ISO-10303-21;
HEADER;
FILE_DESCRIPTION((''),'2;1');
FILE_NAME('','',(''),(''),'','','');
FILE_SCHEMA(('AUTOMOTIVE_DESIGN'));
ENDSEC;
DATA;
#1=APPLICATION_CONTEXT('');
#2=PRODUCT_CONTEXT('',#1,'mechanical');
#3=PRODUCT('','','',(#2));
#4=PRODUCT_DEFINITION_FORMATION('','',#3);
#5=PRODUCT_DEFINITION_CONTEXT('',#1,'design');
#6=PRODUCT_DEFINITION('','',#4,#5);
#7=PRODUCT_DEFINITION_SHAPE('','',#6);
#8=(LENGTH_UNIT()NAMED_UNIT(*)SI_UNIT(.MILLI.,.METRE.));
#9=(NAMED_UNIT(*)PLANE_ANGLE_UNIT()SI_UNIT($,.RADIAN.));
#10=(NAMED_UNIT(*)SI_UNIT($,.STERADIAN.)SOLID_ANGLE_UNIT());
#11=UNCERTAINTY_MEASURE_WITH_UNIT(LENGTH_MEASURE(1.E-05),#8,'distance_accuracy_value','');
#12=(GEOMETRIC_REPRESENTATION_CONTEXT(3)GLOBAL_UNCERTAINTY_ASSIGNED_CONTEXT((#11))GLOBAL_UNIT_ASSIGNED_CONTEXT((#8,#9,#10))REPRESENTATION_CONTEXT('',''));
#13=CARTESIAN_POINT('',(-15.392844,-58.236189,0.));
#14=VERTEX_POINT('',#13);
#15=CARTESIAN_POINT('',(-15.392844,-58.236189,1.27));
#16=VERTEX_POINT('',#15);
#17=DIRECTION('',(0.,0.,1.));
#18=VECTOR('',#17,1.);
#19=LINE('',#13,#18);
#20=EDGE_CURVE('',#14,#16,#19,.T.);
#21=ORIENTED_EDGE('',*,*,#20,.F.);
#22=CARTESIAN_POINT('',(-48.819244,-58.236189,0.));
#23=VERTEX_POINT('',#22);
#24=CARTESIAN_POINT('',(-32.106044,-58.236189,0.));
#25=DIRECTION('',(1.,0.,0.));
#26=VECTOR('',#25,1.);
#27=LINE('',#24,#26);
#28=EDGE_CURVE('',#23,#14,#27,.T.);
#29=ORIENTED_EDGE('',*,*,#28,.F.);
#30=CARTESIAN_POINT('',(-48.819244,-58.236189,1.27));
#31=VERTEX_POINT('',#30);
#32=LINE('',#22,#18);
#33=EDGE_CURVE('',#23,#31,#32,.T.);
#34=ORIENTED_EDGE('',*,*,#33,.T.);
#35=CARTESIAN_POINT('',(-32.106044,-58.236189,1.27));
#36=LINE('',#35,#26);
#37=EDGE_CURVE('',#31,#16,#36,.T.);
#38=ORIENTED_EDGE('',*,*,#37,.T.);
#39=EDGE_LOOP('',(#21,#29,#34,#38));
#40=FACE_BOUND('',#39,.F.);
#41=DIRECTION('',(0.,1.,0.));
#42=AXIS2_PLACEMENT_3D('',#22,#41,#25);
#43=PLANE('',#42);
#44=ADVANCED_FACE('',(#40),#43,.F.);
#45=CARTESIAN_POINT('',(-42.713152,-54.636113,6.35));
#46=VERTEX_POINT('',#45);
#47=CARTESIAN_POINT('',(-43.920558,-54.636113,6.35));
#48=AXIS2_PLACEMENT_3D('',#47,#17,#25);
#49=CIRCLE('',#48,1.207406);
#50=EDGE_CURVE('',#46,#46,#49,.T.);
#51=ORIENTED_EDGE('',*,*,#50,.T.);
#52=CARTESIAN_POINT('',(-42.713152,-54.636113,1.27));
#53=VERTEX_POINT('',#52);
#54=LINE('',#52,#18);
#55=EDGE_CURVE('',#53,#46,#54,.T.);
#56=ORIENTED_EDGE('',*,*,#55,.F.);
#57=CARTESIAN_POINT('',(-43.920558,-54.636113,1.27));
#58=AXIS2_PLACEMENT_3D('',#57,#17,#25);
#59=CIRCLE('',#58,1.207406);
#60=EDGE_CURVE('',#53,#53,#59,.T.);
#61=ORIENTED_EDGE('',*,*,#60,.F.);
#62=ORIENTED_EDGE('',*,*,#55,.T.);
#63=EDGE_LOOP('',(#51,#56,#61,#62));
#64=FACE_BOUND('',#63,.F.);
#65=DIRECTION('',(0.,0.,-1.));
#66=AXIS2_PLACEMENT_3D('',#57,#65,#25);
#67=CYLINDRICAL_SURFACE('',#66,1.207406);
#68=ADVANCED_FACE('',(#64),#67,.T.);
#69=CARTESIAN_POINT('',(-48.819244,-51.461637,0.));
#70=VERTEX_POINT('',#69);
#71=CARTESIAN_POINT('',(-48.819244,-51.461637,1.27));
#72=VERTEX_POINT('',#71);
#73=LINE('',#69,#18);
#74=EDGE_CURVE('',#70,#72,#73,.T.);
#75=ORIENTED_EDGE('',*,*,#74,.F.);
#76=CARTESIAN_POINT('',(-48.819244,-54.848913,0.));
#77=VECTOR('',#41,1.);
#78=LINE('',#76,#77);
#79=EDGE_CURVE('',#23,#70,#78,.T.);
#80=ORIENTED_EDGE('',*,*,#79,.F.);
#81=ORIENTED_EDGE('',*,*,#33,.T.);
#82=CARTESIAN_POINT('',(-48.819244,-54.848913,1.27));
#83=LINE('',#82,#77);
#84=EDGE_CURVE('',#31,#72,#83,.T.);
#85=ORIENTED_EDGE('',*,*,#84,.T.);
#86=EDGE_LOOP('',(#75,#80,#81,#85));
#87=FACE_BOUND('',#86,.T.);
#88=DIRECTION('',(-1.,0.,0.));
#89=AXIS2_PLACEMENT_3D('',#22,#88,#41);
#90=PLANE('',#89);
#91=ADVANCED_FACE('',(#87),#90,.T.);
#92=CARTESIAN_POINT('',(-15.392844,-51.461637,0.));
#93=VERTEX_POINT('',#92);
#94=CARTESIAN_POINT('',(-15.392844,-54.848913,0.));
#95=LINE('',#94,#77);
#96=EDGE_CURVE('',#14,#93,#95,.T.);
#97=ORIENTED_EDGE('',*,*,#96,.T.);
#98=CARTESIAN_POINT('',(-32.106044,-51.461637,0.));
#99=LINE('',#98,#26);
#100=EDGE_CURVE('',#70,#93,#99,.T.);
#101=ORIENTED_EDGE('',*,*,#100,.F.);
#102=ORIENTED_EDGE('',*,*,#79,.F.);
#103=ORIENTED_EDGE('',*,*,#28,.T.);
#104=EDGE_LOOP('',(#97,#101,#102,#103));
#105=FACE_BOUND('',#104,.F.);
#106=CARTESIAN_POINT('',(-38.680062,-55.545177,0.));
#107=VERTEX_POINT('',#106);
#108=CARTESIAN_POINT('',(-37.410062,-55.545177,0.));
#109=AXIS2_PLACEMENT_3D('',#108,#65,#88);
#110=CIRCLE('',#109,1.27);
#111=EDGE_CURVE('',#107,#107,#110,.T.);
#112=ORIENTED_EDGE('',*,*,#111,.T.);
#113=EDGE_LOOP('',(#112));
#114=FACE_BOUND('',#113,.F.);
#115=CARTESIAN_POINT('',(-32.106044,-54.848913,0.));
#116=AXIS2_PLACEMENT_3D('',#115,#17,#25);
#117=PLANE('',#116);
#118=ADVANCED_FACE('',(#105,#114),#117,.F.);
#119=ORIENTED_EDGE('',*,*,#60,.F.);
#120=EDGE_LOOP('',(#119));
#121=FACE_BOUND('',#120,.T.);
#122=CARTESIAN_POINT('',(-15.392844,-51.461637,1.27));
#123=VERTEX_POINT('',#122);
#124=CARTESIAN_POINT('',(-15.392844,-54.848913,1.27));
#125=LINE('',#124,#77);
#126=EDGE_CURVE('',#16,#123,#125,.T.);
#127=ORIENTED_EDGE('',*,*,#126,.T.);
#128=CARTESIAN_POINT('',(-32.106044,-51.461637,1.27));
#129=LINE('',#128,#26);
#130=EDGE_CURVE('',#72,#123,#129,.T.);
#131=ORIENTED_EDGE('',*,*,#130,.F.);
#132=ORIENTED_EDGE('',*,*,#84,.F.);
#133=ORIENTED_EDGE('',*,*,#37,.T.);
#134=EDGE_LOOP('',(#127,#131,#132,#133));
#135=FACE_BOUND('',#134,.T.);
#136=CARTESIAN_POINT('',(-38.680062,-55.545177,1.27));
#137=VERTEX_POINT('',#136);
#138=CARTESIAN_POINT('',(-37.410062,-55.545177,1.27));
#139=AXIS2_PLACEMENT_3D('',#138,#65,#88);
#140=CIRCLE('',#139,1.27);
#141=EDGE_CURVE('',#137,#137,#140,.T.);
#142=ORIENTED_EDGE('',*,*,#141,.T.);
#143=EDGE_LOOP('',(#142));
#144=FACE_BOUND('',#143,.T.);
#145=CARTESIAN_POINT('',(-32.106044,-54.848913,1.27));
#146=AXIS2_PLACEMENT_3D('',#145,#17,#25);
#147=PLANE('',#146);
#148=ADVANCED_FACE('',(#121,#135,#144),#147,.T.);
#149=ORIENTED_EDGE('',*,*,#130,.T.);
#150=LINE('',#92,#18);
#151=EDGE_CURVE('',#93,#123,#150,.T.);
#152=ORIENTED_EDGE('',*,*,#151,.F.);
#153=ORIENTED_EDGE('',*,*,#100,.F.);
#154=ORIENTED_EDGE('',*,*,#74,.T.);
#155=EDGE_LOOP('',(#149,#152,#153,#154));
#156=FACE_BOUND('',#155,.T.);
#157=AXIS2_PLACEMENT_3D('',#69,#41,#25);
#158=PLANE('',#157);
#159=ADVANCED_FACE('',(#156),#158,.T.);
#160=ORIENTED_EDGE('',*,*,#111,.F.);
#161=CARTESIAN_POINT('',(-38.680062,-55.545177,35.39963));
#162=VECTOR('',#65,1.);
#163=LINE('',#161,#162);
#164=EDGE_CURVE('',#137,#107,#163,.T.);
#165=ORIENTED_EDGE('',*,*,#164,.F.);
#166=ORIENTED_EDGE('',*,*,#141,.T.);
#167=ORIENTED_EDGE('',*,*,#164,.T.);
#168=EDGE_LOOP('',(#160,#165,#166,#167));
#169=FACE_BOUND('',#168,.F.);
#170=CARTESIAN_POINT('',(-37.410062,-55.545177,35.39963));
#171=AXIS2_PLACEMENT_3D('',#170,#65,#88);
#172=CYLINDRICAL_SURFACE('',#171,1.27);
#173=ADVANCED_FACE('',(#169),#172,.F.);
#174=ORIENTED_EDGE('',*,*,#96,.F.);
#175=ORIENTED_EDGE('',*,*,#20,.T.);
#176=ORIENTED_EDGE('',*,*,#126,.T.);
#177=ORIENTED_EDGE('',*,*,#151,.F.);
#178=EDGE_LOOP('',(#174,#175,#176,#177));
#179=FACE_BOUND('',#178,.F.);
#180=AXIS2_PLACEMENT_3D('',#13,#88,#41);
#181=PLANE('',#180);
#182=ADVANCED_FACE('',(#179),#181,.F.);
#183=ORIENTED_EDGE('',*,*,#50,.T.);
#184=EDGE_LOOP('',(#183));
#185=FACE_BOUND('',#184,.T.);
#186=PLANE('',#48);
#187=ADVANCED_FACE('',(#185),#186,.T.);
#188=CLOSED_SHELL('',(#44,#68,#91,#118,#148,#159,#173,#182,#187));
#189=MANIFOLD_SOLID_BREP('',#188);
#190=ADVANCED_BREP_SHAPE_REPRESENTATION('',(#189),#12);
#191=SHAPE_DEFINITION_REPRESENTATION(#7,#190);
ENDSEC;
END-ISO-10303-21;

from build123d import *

# Parameters (mm, degrees)
F0_W     = 33.4264
F0_H     = 6.774552
F1_DEPTH = 1.27
F3_D     = 2.54
F4_R     = 1.116582
F5_DEPTH = 5.7658
F7_R     = 1.207406
F8_DEPTH = 5.08


with BuildPart() as f1:
    # F0 (on Top) → F1 (new body)
    with BuildSketch(Plane.XY):
        with Locations((-32.106044, -54.848913)):
            Rectangle(F0_W, F0_H)
    extrude(amount=F1_DEPTH)

    # F3 (through all)
    with Locations(Plane.XY.offset(1.27)):
        with Locations((-37.410062, -55.545177)):
            Hole(F3_D / 2)

    # F7 (on face) → F8 (join)
    with BuildSketch(Plane.XY.offset(1.27)):
        with Locations((-43.920558, -54.636113)):
            Circle(F7_R)
    extrude(amount=F8_DEPTH)


with BuildPart() as f5:
    # F4 (on face) → F5 (new body)
    with BuildSketch(Plane.XY.offset(1.27)):
        with Locations((-37.410062, -55.545177)):
            Circle(F4_R)
    extrude(amount=F5_DEPTH)


solid = f1.part
